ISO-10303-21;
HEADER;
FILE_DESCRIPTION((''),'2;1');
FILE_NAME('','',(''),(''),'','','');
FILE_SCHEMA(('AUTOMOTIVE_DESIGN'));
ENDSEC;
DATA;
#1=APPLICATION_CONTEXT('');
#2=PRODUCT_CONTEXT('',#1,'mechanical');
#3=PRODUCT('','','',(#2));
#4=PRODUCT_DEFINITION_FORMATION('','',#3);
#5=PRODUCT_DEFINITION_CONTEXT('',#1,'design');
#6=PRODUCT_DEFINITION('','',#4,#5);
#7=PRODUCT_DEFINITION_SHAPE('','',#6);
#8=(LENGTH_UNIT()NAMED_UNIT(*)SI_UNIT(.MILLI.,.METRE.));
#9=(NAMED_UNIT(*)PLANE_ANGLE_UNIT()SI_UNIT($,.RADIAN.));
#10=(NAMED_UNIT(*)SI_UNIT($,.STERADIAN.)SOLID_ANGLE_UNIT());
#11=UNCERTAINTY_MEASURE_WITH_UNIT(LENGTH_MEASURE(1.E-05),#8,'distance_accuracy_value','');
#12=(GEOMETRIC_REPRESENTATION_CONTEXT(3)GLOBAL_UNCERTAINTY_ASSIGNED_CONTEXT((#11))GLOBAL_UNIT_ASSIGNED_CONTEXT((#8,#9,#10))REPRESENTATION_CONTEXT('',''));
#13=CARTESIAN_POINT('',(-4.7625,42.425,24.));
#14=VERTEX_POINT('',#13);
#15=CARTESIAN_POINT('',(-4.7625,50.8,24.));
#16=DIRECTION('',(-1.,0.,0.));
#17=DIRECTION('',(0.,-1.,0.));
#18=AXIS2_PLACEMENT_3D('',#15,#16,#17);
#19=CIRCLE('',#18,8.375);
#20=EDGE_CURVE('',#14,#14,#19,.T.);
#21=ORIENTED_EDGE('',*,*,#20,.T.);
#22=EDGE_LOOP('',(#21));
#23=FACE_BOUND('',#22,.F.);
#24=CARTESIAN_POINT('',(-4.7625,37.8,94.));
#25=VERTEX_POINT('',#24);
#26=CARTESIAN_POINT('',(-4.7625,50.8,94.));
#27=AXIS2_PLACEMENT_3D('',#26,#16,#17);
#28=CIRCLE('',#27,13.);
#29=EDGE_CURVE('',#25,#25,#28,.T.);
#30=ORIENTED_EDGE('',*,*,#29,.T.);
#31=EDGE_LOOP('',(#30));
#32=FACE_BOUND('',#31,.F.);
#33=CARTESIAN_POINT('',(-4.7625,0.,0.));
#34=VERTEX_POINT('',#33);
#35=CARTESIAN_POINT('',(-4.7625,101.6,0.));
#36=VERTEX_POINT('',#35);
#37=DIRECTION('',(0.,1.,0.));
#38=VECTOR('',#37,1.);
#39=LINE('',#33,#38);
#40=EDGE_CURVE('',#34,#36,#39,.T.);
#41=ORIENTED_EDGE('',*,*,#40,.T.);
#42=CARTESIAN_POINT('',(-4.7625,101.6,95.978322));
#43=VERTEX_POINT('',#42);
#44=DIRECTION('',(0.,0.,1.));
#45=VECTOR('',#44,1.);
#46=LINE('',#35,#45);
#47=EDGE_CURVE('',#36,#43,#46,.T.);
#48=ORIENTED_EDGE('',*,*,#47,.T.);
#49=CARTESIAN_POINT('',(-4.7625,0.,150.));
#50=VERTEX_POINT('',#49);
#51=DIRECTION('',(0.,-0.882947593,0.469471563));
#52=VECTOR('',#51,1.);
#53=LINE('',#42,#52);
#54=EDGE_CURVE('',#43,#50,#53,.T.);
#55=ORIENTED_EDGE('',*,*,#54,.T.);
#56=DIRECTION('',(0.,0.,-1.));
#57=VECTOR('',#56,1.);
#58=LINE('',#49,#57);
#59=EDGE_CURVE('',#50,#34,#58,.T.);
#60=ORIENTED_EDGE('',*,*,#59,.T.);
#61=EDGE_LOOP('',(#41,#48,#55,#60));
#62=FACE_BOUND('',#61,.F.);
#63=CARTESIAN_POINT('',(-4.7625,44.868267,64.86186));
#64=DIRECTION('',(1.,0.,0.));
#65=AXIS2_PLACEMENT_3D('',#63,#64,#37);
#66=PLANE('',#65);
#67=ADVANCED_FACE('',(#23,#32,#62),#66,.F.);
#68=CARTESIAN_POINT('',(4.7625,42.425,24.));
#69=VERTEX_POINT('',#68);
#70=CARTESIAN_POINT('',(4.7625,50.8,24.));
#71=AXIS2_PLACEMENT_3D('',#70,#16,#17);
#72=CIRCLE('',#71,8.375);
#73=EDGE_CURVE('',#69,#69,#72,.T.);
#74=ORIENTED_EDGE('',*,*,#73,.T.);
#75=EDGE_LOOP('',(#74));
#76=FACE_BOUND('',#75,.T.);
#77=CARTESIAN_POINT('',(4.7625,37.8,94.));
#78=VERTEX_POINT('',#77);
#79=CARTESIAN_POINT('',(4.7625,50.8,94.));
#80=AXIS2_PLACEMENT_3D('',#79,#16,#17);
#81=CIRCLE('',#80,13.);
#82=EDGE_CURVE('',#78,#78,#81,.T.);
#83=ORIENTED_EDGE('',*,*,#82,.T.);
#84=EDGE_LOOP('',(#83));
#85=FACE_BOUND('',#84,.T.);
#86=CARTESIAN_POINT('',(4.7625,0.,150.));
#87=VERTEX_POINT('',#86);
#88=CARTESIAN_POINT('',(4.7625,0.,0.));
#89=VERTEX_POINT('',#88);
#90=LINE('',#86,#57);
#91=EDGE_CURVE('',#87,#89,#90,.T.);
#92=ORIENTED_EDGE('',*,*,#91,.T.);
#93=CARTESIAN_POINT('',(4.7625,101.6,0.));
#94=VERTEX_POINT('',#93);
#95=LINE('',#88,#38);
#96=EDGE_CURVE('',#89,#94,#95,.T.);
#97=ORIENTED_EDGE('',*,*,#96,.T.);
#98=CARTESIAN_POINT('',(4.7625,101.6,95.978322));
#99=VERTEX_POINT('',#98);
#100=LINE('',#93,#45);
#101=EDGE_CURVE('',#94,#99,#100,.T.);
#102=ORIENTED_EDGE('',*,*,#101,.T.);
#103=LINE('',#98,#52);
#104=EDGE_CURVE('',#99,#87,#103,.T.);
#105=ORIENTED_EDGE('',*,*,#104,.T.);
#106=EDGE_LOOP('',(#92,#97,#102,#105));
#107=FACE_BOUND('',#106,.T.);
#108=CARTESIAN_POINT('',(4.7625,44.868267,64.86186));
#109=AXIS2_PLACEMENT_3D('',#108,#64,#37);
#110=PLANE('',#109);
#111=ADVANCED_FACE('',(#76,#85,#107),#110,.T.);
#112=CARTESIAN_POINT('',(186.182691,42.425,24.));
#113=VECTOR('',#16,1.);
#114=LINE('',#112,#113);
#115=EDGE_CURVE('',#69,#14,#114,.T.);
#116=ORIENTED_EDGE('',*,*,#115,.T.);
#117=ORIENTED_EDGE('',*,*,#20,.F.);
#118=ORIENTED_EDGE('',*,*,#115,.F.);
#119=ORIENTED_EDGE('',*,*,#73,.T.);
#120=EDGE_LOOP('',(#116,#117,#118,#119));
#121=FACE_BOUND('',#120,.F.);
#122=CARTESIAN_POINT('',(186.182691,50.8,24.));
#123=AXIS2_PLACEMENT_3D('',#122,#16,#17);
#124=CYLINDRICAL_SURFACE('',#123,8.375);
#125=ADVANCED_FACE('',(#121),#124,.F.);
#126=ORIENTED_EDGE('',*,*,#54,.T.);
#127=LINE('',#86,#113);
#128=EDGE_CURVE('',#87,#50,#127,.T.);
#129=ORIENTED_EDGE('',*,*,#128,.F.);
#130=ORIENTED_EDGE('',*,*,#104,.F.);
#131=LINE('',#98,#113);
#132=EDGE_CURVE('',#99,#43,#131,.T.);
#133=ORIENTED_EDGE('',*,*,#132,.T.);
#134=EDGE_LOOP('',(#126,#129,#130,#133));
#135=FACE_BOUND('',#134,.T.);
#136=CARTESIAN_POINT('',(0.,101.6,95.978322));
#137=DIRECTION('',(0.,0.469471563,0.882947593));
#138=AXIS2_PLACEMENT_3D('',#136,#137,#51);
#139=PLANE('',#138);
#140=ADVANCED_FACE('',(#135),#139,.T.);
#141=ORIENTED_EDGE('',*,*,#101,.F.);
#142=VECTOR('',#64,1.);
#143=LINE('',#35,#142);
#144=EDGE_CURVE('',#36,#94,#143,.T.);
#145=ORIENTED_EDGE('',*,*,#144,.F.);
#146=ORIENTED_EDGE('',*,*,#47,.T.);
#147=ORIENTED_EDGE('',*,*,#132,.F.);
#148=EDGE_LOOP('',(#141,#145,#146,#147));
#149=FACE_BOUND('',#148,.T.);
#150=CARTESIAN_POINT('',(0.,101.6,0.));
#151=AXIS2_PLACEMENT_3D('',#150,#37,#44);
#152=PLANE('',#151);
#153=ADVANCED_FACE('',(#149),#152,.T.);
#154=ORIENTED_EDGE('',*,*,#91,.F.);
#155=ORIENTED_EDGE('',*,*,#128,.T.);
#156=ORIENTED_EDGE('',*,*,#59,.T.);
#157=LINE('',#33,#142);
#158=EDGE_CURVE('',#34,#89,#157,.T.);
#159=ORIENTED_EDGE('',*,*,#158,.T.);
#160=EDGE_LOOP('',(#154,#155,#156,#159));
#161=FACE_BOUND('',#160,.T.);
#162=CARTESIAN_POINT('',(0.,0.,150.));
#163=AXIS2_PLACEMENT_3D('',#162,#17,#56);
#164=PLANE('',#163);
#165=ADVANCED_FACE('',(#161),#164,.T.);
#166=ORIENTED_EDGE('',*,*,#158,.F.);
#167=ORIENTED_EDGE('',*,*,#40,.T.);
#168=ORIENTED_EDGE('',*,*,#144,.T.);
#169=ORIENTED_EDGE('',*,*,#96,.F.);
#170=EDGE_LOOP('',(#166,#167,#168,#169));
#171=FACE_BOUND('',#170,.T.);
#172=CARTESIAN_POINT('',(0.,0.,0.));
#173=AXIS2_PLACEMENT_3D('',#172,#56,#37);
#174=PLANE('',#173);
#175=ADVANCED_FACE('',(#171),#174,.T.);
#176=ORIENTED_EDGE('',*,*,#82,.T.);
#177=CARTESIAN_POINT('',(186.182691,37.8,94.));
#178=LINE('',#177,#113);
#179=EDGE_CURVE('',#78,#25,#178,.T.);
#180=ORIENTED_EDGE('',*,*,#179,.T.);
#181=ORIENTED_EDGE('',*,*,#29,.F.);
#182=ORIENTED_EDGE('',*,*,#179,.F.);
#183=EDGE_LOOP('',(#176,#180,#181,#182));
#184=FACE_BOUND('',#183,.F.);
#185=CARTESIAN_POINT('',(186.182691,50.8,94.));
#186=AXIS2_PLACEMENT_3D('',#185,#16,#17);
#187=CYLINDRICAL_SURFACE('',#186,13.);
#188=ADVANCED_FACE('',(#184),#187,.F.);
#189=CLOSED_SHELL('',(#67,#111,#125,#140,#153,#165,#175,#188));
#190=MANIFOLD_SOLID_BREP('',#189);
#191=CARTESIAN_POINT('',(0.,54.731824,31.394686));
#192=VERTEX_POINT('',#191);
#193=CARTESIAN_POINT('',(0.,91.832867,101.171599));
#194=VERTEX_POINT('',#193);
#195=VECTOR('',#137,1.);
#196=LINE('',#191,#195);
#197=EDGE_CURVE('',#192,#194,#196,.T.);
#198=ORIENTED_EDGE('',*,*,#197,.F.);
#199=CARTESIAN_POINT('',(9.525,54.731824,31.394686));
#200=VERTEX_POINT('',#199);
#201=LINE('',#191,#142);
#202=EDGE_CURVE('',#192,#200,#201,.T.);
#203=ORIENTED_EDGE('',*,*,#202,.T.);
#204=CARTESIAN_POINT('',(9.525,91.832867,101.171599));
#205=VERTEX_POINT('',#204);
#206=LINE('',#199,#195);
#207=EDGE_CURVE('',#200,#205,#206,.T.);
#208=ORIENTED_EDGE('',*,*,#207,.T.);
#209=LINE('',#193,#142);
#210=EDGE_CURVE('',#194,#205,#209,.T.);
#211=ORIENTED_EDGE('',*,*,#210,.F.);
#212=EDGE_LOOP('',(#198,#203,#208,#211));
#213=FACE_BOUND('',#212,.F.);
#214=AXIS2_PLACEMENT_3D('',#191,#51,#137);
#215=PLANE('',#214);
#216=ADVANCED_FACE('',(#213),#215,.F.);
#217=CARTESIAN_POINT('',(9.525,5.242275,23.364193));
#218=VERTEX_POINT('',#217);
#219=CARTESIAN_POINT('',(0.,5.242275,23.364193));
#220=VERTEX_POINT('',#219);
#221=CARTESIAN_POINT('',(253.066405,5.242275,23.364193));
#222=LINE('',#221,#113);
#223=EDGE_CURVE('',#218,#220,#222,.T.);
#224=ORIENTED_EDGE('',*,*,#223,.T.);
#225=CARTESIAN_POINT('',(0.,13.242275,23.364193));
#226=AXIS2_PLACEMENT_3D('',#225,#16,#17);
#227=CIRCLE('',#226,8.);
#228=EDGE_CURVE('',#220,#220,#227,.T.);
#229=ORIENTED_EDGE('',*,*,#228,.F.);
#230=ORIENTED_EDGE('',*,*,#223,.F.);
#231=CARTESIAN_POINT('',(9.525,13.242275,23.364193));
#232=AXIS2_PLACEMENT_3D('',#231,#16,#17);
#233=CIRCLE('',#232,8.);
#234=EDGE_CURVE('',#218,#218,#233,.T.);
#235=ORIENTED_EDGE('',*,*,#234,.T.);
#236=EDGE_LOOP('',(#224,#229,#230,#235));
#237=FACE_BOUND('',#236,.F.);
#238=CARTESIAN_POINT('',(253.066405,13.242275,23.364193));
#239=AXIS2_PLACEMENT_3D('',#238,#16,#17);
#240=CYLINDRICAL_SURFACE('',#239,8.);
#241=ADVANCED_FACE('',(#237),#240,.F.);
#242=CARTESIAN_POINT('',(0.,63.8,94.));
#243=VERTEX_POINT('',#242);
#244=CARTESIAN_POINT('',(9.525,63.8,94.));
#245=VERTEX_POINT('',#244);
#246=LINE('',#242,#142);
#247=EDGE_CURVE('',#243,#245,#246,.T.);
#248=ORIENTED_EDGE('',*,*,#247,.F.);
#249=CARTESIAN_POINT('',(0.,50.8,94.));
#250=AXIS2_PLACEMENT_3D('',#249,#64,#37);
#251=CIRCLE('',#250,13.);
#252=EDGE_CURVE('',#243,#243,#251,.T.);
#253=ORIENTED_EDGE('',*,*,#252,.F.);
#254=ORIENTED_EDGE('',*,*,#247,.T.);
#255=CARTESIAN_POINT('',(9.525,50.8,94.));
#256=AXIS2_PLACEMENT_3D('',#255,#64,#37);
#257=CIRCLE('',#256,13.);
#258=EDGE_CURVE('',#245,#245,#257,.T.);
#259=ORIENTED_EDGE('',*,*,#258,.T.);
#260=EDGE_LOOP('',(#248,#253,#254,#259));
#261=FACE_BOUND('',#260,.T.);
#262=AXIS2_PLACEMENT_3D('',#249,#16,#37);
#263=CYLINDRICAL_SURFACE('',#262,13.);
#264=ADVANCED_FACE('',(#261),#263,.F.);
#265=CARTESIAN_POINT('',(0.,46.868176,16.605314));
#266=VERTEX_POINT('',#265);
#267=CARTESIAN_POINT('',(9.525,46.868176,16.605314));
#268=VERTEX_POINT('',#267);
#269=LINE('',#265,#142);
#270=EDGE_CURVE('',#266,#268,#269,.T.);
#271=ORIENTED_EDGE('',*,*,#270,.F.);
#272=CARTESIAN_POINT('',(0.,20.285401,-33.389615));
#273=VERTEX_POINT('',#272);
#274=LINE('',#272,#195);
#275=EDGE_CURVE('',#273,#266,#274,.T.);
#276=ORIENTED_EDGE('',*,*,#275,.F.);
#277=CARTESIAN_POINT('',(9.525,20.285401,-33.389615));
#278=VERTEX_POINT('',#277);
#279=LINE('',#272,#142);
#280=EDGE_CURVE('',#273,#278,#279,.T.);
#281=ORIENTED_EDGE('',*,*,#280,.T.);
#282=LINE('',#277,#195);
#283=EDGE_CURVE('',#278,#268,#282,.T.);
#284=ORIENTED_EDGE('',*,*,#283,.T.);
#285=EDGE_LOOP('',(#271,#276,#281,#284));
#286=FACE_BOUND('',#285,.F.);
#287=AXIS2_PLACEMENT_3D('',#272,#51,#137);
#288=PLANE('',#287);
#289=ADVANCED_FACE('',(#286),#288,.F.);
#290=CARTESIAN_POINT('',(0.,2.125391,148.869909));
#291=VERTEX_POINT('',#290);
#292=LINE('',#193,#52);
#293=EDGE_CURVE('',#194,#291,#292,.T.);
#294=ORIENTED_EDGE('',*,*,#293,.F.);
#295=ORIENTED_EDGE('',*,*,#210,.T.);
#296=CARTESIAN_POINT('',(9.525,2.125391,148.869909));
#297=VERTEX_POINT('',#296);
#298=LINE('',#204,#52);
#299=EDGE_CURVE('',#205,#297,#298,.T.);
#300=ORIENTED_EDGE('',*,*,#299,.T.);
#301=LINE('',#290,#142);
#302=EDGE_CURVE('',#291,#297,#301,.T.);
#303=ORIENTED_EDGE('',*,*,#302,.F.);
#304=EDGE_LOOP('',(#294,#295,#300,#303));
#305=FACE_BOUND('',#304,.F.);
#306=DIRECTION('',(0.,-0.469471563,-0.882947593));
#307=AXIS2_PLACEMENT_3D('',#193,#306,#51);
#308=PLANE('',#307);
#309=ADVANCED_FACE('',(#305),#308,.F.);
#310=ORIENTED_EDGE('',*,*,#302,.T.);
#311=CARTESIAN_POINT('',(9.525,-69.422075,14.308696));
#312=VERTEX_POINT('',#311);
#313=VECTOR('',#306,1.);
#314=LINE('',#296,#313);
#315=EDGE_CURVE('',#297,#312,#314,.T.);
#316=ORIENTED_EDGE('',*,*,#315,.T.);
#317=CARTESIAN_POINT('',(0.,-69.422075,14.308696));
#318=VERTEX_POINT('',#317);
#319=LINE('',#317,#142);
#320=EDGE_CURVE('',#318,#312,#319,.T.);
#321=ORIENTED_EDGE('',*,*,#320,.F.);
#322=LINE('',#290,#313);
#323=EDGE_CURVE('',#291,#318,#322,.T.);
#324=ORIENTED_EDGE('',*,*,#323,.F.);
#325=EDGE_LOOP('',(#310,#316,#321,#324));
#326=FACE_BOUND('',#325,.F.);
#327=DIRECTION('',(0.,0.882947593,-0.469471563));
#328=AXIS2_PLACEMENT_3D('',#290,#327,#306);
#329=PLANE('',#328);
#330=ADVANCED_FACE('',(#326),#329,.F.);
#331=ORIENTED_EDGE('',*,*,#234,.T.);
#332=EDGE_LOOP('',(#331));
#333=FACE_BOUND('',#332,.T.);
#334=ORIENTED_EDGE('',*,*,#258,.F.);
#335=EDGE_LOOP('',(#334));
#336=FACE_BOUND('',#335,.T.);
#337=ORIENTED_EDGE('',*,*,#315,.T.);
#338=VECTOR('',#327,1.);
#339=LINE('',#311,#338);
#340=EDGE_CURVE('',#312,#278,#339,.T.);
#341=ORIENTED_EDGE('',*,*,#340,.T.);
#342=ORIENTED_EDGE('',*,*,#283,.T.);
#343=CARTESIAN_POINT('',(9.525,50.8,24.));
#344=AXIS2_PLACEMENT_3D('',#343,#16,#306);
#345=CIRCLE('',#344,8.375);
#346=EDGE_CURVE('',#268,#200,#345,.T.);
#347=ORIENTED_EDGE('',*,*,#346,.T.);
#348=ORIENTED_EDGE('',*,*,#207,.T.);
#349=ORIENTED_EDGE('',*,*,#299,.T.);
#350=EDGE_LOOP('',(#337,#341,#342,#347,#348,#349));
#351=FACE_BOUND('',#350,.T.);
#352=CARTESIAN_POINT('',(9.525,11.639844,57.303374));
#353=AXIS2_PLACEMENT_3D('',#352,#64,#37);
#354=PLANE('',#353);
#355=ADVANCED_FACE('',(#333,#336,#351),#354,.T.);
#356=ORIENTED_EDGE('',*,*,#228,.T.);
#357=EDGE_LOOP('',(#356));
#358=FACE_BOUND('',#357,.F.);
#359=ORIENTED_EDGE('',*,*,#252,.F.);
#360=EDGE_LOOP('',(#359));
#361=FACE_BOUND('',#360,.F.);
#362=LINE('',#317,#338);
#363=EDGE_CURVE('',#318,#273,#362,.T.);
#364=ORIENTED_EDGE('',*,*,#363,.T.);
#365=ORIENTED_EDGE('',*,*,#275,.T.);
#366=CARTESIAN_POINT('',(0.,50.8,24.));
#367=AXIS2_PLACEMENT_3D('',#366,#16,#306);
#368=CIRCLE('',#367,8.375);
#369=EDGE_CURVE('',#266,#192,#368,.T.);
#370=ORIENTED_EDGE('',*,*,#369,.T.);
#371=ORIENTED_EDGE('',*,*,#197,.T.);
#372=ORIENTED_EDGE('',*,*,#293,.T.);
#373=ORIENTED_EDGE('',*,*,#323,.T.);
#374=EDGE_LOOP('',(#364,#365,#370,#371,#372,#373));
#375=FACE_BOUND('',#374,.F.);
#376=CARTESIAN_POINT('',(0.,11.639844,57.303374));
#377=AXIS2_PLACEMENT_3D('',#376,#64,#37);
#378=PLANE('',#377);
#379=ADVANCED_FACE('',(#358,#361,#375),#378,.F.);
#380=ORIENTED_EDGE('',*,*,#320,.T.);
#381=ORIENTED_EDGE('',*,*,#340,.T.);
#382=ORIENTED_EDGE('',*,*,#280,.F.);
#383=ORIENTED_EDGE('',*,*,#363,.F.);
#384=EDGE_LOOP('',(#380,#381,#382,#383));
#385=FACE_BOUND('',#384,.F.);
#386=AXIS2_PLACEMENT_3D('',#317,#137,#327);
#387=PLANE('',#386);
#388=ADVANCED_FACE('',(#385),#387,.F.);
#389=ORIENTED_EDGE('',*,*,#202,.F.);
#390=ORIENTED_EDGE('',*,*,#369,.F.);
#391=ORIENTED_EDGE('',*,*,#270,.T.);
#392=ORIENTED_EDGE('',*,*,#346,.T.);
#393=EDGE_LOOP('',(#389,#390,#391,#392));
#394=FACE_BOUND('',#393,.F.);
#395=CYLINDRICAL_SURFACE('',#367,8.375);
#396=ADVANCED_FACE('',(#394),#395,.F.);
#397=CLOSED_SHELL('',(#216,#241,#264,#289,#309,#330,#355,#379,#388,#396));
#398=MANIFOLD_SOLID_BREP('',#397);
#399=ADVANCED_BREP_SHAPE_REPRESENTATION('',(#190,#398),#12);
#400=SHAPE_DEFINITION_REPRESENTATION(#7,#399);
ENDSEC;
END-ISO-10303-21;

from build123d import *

# Parameters (mm, degrees)
F1_DEPTH = 4.7625
F3_D     = 16.75
F4_D     = 26
F5_R     = 13
F6_DEPTH = 9.525
F8_D     = 16


with BuildPart() as f1:
    # F0 (on Right) → F1 (new body, symmetric)
    with BuildSketch(Plane.YZ):
        Polygon((0, 150), (0, 0), (101.6, 0), (101.6, 95.9783217432), align=None)
    extrude(amount=F1_DEPTH, both=True)

    # F3 (through all)
    with Locations(Plane.YZ.offset(4.7625)):
        with Locations((50.8, 24)):
            Hole(F3_D / 2)

    # F4 (through all)
    with Locations(Plane.YZ.offset(4.7625)):
        with Locations((50.8, 94)):
            Hole(F4_D / 2)


with BuildPart() as f6:
    # F5 (on Right) → F6 (new body)
    with BuildSketch(Plane.YZ):
        with BuildLine():
            Line((91.8328668191, 101.1715985758), (2.1253913847, 148.8699093548))
            Line((2.1253913847, 148.8699093548), (-69.4220747839, 14.3086962031))
            Line((-69.4220747839, 14.3086962031), (20.2854006506, -33.3896145759))
            Line((20.2854006506, -33.3896145759), (46.8681756617, 16.6053139098))
            ThreePointArc((46.8681756617, 16.6053139098), (43.4053139098, 27.9318243383), (54.7318243383, 31.3946860902))
            Line((54.7318243383, 31.3946860902), (91.8328668191, 101.1715985758))
        make_face()
        with Locations((50.8, 94)):
            Circle(F5_R, mode=Mode.SUBTRACT)
    extrude(amount=F6_DEPTH)

    # F8 (through all)
    with Locations(Plane.YZ.offset(9.525)):
        with Locations((13.2422749771, 23.3641925713)):
            Hole(F8_D / 2)


solid = Compound([f1.part, f6.part])
